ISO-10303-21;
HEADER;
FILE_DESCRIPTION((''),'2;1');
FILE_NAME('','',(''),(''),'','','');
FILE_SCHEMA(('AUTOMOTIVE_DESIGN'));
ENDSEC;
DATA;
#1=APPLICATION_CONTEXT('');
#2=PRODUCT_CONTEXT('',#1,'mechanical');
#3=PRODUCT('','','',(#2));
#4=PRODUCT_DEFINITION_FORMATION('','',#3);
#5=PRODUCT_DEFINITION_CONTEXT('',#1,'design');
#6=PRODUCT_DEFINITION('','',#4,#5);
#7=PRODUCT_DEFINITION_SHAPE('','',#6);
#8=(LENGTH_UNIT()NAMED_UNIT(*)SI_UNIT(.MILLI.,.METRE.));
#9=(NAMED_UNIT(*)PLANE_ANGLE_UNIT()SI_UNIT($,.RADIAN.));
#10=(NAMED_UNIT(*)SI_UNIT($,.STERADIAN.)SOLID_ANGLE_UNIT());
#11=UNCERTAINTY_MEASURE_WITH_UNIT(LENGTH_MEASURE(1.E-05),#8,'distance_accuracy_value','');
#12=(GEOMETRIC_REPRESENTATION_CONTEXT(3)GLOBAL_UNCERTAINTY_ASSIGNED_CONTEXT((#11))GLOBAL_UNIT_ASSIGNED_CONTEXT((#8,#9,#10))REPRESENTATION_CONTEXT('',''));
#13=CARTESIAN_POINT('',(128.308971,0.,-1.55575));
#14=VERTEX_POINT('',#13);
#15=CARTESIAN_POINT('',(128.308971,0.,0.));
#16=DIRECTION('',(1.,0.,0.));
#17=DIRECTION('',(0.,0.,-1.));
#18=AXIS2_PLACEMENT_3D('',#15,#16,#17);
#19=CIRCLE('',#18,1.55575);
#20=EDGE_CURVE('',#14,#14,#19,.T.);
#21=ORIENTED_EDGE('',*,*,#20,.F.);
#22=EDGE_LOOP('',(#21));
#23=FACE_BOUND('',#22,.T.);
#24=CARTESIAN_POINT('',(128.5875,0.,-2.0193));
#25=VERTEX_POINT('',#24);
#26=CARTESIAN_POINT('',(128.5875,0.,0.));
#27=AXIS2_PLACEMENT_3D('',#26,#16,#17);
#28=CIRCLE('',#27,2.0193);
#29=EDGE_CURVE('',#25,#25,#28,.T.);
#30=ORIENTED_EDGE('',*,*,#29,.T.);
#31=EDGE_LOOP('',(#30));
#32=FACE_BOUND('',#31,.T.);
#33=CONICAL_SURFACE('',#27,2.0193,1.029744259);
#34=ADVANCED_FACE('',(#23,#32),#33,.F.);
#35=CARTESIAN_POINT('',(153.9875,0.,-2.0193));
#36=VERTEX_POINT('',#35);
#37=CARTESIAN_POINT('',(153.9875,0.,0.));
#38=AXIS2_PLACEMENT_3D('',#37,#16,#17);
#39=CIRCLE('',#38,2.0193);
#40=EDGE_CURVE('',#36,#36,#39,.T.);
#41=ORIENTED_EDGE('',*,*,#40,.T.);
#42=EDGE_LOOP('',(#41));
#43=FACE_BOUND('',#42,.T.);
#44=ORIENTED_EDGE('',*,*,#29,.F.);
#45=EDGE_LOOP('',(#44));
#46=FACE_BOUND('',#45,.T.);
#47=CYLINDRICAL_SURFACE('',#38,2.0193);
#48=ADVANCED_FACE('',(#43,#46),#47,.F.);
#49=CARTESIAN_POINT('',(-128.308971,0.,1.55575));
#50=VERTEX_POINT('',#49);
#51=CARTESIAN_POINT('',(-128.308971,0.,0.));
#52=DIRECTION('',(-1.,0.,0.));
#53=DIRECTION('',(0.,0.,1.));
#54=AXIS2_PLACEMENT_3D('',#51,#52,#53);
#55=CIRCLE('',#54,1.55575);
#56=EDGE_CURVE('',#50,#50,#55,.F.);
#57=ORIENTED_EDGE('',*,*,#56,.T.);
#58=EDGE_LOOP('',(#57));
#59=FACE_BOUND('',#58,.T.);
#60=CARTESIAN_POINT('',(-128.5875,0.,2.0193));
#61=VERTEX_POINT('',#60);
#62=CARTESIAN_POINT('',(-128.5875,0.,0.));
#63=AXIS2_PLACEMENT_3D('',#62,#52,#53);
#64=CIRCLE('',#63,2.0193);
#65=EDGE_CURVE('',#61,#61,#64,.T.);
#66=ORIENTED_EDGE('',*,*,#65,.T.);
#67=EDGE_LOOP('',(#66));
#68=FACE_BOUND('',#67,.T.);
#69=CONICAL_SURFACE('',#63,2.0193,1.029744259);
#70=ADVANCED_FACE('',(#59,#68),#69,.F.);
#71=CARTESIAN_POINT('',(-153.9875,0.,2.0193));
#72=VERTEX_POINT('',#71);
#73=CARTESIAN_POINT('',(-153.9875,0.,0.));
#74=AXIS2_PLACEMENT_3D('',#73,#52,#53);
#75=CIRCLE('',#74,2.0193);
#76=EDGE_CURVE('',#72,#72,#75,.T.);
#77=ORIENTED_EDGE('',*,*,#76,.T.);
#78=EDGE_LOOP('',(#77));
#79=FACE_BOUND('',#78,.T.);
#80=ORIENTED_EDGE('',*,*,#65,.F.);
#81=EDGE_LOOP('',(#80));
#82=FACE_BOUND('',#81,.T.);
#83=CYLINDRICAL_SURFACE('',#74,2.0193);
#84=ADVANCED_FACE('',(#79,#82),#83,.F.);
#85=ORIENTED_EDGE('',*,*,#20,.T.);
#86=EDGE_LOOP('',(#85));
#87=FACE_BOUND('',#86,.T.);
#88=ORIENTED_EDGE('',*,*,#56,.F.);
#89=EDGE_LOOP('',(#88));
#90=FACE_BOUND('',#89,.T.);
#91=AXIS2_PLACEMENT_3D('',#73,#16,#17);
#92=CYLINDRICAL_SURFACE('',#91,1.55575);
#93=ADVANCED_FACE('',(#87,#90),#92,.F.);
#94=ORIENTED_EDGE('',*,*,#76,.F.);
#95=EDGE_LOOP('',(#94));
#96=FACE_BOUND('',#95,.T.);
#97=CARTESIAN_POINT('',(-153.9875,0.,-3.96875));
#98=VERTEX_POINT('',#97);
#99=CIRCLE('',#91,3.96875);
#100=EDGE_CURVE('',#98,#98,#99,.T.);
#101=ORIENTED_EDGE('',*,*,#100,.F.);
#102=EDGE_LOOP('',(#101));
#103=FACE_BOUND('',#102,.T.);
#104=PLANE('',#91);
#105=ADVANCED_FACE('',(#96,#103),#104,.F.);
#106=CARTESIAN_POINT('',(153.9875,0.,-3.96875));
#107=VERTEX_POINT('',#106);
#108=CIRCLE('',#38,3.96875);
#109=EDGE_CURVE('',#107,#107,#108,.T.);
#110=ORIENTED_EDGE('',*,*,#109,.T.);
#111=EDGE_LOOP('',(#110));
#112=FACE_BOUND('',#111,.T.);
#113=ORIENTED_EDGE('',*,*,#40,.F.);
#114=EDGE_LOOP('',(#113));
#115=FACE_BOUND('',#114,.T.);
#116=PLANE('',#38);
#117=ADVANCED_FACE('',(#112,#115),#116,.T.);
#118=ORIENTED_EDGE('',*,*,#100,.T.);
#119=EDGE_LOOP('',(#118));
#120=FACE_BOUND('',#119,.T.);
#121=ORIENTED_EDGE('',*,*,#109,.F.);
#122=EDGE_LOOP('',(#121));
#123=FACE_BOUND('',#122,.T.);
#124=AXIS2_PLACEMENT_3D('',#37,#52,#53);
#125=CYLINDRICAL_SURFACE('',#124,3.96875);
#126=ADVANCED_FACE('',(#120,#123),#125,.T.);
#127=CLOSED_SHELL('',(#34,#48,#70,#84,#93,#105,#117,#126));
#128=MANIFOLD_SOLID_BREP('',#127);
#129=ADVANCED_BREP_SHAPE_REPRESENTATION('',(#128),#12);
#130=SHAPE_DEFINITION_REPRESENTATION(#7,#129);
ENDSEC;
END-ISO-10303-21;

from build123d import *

# Parameters (mm, degrees)
SKETCH1_R           = 3.96875
BOSS_EXTRUDE1_DEPTH = 153.9875
SKETCH2_R           = 1.55575
CUT_EXTRUDE1_DEPTH  = 309.02613944


with BuildPart() as part:
    # Sketch1 → Boss-Extrude1 (new, symmetric)
    with BuildSketch(Plane(origin=(0, 0, 0), x_dir=(0, 0, -1), z_dir=(1, 0, 0))):
        Circle(SKETCH1_R)
    extrude(amount=BOSS_EXTRUDE1_DEPTH, both=True)

    # Sketch6 → #10-32 Tapped Hole1 (revolve, cut)
    with BuildSketch(Plane(origin=(-153.9875, 0, 0), x_dir=(0, 0, 1), z_dir=(0, 1, 0))):
        Polygon((0, 0), (0, 26.613317848), (2.0193, 25.4), (2.0193, 0), align=None)
    f_10_32_tapped_hole1 = revolve(axis=Axis((-160.3375, 0, 0), (1, 0, 0)), mode=Mode.SUBTRACT)

    # Sketch2 → Cut-Extrude1 (cut, through all)
    with BuildSketch(Plane(origin=(153.9875, 0, 0), x_dir=(0, 0, -1), z_dir=(1, 0, 0))):
        Circle(SKETCH2_R)
    extrude(amount=-CUT_EXTRUDE1_DEPTH, mode=Mode.SUBTRACT)

    # Mirror1: #10-32 Tapped Hole1 across plane
    add(f_10_32_tapped_hole1.mirror(Plane(origin=(0, 0, 0), x_dir=(0, 0, 1), z_dir=(1, 0, 0))), mode=Mode.SUBTRACT)


solid = part.part
